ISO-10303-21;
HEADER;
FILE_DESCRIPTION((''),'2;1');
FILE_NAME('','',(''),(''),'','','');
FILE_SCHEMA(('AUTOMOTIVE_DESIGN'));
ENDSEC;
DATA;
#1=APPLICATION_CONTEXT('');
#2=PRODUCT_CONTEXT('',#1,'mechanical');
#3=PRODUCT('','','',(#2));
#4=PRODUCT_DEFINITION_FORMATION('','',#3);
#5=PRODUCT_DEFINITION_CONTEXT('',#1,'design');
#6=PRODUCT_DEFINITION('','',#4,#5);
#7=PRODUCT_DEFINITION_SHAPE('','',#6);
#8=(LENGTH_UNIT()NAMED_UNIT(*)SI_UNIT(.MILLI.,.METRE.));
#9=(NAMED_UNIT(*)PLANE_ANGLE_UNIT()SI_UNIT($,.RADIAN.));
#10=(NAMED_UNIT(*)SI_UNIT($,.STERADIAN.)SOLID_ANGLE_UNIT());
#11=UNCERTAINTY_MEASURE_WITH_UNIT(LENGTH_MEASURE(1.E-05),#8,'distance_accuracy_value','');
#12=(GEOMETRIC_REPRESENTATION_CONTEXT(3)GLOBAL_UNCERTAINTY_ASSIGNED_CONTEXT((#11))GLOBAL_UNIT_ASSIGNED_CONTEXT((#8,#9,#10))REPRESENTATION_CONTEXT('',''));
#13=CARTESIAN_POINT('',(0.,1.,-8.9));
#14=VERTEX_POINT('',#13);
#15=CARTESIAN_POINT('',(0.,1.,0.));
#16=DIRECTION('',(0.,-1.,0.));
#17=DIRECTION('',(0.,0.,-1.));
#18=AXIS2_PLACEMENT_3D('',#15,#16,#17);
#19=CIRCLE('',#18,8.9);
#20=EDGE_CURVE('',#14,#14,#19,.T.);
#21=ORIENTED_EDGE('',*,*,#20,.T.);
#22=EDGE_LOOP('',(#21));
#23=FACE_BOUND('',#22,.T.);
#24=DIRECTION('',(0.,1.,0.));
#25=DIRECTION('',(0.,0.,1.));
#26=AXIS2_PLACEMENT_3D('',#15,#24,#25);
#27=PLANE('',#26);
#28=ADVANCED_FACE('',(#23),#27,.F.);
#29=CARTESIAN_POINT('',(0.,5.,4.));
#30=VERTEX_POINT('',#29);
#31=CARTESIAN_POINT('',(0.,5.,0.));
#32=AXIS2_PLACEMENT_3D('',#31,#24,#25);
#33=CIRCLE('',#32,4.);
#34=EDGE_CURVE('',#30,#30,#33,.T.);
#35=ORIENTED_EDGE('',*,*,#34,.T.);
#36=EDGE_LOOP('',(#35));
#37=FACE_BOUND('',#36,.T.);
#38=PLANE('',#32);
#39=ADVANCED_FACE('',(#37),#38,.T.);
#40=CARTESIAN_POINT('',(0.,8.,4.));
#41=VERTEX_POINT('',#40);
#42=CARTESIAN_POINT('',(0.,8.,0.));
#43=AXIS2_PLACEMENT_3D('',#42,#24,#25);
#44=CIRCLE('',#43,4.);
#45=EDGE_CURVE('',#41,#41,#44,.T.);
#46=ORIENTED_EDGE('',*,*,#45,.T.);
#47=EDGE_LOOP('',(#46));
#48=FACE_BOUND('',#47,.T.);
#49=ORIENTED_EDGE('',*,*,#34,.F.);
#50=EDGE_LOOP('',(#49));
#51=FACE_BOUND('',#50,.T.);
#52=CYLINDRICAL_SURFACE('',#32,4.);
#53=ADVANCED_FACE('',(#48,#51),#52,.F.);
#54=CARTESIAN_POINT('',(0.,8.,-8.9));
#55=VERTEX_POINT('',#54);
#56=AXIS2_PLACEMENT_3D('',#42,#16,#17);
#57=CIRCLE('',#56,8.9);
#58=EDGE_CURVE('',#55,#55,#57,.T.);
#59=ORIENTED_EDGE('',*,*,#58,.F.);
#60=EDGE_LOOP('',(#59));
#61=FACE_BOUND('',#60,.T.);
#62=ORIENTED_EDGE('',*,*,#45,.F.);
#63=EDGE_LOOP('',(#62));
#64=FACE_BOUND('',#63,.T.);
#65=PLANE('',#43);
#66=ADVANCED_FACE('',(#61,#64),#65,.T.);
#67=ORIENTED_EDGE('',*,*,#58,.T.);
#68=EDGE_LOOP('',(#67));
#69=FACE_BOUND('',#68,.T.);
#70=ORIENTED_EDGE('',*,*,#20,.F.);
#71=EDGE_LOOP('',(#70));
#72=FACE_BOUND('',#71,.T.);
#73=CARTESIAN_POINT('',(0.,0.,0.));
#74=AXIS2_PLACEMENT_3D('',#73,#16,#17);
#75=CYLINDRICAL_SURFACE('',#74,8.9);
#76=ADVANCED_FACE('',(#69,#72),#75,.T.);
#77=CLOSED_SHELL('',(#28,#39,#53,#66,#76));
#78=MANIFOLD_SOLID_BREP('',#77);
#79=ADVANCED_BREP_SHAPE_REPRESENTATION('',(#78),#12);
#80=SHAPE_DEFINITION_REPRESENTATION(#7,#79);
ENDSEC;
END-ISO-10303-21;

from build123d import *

# Parameters (mm, degrees)
SKETCH1_W          = 8.9
SKETCH1_H          = 7
SKETCH2_R          = 4
CUT_EXTRUDE1_DEPTH = 3


with BuildPart() as part:
    # Sketch1 → Revolve1 (revolve)
    with BuildSketch(Plane.XY):
        with Locations((-4.45, 4.5)):
            Rectangle(SKETCH1_W, SKETCH1_H)
    revolve(axis=Axis((0, 0, 0), (0, 1, 0)))

    # Sketch2 → Cut-Extrude1 (cut)
    with BuildSketch(Plane(origin=(0, 8, 0), x_dir=(1, 0, 0), z_dir=(0, 1, 0))):
        Circle(SKETCH2_R)
    extrude(amount=-CUT_EXTRUDE1_DEPTH, mode=Mode.SUBTRACT)


solid = part.part
